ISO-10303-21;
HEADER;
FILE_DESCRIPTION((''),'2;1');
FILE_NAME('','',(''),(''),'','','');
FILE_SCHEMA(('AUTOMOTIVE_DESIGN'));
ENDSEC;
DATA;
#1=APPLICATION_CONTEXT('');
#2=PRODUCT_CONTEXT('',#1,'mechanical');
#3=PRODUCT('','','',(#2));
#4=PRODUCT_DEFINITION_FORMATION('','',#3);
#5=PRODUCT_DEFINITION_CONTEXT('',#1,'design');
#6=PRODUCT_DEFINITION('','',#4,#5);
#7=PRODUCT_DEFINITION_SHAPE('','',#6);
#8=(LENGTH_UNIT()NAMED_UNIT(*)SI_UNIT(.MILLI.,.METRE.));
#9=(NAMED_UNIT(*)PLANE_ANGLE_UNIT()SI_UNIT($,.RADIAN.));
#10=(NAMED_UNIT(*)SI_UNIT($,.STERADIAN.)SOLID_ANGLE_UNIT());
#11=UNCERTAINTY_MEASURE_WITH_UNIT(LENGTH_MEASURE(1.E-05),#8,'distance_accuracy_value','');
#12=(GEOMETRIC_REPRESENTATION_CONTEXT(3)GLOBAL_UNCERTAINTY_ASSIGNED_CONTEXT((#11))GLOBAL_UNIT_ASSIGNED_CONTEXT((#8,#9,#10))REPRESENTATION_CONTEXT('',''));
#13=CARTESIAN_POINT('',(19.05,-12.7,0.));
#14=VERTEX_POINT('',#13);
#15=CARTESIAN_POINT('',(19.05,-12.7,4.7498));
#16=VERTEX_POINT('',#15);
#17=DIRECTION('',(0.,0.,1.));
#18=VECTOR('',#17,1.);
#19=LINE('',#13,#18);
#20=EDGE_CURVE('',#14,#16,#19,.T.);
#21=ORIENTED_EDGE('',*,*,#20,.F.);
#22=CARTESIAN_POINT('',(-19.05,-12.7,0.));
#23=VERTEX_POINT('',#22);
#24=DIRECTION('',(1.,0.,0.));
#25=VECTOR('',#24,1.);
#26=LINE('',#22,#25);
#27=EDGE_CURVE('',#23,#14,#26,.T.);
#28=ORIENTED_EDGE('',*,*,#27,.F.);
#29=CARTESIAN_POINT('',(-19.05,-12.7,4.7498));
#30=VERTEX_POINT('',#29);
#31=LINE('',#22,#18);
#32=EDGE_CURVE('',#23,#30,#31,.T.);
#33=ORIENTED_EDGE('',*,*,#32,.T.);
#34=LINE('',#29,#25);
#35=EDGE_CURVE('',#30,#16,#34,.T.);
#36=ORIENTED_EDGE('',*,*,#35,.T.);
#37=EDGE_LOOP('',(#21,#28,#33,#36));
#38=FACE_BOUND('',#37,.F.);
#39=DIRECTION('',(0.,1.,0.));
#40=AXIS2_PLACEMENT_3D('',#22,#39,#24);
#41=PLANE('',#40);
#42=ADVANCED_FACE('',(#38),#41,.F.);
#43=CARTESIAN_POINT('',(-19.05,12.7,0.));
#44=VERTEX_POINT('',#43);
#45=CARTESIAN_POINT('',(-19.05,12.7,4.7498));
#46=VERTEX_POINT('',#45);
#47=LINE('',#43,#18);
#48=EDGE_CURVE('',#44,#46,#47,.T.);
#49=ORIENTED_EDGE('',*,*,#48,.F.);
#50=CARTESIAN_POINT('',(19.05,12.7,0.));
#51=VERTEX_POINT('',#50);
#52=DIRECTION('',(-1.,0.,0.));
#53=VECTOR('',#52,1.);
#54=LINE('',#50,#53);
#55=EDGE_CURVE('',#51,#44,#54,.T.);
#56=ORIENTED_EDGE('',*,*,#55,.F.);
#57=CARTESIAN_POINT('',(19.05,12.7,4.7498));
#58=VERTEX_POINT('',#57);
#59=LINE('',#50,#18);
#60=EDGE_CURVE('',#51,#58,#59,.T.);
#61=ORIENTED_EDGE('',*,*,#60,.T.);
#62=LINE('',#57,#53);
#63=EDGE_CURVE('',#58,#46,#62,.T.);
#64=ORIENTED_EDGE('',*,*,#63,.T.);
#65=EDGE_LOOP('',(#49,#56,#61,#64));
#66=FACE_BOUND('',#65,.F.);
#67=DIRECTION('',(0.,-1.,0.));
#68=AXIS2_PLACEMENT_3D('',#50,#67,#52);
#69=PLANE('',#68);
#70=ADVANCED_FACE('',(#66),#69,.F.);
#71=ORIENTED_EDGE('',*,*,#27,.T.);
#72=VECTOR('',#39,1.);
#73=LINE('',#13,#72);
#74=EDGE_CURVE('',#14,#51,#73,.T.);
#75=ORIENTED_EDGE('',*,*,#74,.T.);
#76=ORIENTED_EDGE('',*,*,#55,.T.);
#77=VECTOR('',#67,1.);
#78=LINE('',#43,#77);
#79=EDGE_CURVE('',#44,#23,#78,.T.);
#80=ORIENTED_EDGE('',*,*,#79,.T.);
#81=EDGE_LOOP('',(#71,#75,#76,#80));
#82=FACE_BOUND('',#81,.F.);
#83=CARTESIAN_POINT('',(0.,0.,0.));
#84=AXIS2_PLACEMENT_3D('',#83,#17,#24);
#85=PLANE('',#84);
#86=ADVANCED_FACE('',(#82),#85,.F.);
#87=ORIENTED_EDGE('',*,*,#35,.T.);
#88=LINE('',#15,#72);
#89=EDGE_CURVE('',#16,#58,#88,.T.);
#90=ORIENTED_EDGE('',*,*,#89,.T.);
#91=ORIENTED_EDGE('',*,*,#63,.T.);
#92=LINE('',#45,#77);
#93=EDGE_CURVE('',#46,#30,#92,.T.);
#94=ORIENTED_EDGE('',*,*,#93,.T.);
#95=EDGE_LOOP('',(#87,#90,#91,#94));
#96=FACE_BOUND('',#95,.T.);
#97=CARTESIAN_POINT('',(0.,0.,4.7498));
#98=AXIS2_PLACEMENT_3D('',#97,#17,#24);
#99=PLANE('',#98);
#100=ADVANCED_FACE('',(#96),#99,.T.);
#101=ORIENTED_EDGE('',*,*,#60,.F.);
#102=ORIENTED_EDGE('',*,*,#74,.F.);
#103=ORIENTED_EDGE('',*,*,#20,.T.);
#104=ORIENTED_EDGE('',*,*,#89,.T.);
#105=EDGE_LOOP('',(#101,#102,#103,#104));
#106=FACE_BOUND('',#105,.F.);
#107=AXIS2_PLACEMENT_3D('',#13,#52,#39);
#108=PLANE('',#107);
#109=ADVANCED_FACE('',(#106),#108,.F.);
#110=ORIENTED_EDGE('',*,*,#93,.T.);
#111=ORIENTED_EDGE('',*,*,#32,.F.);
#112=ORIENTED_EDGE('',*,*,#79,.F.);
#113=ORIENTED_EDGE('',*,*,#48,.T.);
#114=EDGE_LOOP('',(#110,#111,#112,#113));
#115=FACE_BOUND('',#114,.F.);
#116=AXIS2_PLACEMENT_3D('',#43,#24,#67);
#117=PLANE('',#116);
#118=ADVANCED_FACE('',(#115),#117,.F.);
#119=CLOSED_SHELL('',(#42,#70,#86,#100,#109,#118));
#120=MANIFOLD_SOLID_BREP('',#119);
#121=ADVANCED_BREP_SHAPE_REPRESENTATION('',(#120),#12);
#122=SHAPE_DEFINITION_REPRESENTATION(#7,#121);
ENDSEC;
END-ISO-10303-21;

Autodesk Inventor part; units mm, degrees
ref_plane "YZ Plane" through (0, 0, 0) normal (1, 0, 0) x (0, 1, 0)
ref_plane "XZ Plane" through (0, 0, 0) normal (0, 1, 0) x (-1, 0, 0)
ref_plane "XY Plane" through (0, 0, 0) normal (0, 0, 1) x (1, 0, 0)
sketch "Sketch1" plane through (0, 0, 0) normal (0, 0, 1) x (1, 0, 0)
  line L0 (-19.05, -12.7) -> (19.05, -12.7)
  line L1 (19.05, -12.7) -> (19.05, 12.7)
  line L2 (19.05, 12.7) -> (-19.05, 12.7)
  line L3 (-19.05, 12.7) -> (-19.05, -12.7)
  line L4 (-19.05, -12.7) -> (19.05, 12.7) construction
  line L5 (19.05, -12.7) -> (-19.05, 12.7) construction
  point P0 (0, 0)
  dimension "d0" = 25.4
  dimension "d1" = 38.1
extrude "Extrusion1" add sketch "Sketch1" along normal blind 4.7498
properties part number "dsub9_panel"
